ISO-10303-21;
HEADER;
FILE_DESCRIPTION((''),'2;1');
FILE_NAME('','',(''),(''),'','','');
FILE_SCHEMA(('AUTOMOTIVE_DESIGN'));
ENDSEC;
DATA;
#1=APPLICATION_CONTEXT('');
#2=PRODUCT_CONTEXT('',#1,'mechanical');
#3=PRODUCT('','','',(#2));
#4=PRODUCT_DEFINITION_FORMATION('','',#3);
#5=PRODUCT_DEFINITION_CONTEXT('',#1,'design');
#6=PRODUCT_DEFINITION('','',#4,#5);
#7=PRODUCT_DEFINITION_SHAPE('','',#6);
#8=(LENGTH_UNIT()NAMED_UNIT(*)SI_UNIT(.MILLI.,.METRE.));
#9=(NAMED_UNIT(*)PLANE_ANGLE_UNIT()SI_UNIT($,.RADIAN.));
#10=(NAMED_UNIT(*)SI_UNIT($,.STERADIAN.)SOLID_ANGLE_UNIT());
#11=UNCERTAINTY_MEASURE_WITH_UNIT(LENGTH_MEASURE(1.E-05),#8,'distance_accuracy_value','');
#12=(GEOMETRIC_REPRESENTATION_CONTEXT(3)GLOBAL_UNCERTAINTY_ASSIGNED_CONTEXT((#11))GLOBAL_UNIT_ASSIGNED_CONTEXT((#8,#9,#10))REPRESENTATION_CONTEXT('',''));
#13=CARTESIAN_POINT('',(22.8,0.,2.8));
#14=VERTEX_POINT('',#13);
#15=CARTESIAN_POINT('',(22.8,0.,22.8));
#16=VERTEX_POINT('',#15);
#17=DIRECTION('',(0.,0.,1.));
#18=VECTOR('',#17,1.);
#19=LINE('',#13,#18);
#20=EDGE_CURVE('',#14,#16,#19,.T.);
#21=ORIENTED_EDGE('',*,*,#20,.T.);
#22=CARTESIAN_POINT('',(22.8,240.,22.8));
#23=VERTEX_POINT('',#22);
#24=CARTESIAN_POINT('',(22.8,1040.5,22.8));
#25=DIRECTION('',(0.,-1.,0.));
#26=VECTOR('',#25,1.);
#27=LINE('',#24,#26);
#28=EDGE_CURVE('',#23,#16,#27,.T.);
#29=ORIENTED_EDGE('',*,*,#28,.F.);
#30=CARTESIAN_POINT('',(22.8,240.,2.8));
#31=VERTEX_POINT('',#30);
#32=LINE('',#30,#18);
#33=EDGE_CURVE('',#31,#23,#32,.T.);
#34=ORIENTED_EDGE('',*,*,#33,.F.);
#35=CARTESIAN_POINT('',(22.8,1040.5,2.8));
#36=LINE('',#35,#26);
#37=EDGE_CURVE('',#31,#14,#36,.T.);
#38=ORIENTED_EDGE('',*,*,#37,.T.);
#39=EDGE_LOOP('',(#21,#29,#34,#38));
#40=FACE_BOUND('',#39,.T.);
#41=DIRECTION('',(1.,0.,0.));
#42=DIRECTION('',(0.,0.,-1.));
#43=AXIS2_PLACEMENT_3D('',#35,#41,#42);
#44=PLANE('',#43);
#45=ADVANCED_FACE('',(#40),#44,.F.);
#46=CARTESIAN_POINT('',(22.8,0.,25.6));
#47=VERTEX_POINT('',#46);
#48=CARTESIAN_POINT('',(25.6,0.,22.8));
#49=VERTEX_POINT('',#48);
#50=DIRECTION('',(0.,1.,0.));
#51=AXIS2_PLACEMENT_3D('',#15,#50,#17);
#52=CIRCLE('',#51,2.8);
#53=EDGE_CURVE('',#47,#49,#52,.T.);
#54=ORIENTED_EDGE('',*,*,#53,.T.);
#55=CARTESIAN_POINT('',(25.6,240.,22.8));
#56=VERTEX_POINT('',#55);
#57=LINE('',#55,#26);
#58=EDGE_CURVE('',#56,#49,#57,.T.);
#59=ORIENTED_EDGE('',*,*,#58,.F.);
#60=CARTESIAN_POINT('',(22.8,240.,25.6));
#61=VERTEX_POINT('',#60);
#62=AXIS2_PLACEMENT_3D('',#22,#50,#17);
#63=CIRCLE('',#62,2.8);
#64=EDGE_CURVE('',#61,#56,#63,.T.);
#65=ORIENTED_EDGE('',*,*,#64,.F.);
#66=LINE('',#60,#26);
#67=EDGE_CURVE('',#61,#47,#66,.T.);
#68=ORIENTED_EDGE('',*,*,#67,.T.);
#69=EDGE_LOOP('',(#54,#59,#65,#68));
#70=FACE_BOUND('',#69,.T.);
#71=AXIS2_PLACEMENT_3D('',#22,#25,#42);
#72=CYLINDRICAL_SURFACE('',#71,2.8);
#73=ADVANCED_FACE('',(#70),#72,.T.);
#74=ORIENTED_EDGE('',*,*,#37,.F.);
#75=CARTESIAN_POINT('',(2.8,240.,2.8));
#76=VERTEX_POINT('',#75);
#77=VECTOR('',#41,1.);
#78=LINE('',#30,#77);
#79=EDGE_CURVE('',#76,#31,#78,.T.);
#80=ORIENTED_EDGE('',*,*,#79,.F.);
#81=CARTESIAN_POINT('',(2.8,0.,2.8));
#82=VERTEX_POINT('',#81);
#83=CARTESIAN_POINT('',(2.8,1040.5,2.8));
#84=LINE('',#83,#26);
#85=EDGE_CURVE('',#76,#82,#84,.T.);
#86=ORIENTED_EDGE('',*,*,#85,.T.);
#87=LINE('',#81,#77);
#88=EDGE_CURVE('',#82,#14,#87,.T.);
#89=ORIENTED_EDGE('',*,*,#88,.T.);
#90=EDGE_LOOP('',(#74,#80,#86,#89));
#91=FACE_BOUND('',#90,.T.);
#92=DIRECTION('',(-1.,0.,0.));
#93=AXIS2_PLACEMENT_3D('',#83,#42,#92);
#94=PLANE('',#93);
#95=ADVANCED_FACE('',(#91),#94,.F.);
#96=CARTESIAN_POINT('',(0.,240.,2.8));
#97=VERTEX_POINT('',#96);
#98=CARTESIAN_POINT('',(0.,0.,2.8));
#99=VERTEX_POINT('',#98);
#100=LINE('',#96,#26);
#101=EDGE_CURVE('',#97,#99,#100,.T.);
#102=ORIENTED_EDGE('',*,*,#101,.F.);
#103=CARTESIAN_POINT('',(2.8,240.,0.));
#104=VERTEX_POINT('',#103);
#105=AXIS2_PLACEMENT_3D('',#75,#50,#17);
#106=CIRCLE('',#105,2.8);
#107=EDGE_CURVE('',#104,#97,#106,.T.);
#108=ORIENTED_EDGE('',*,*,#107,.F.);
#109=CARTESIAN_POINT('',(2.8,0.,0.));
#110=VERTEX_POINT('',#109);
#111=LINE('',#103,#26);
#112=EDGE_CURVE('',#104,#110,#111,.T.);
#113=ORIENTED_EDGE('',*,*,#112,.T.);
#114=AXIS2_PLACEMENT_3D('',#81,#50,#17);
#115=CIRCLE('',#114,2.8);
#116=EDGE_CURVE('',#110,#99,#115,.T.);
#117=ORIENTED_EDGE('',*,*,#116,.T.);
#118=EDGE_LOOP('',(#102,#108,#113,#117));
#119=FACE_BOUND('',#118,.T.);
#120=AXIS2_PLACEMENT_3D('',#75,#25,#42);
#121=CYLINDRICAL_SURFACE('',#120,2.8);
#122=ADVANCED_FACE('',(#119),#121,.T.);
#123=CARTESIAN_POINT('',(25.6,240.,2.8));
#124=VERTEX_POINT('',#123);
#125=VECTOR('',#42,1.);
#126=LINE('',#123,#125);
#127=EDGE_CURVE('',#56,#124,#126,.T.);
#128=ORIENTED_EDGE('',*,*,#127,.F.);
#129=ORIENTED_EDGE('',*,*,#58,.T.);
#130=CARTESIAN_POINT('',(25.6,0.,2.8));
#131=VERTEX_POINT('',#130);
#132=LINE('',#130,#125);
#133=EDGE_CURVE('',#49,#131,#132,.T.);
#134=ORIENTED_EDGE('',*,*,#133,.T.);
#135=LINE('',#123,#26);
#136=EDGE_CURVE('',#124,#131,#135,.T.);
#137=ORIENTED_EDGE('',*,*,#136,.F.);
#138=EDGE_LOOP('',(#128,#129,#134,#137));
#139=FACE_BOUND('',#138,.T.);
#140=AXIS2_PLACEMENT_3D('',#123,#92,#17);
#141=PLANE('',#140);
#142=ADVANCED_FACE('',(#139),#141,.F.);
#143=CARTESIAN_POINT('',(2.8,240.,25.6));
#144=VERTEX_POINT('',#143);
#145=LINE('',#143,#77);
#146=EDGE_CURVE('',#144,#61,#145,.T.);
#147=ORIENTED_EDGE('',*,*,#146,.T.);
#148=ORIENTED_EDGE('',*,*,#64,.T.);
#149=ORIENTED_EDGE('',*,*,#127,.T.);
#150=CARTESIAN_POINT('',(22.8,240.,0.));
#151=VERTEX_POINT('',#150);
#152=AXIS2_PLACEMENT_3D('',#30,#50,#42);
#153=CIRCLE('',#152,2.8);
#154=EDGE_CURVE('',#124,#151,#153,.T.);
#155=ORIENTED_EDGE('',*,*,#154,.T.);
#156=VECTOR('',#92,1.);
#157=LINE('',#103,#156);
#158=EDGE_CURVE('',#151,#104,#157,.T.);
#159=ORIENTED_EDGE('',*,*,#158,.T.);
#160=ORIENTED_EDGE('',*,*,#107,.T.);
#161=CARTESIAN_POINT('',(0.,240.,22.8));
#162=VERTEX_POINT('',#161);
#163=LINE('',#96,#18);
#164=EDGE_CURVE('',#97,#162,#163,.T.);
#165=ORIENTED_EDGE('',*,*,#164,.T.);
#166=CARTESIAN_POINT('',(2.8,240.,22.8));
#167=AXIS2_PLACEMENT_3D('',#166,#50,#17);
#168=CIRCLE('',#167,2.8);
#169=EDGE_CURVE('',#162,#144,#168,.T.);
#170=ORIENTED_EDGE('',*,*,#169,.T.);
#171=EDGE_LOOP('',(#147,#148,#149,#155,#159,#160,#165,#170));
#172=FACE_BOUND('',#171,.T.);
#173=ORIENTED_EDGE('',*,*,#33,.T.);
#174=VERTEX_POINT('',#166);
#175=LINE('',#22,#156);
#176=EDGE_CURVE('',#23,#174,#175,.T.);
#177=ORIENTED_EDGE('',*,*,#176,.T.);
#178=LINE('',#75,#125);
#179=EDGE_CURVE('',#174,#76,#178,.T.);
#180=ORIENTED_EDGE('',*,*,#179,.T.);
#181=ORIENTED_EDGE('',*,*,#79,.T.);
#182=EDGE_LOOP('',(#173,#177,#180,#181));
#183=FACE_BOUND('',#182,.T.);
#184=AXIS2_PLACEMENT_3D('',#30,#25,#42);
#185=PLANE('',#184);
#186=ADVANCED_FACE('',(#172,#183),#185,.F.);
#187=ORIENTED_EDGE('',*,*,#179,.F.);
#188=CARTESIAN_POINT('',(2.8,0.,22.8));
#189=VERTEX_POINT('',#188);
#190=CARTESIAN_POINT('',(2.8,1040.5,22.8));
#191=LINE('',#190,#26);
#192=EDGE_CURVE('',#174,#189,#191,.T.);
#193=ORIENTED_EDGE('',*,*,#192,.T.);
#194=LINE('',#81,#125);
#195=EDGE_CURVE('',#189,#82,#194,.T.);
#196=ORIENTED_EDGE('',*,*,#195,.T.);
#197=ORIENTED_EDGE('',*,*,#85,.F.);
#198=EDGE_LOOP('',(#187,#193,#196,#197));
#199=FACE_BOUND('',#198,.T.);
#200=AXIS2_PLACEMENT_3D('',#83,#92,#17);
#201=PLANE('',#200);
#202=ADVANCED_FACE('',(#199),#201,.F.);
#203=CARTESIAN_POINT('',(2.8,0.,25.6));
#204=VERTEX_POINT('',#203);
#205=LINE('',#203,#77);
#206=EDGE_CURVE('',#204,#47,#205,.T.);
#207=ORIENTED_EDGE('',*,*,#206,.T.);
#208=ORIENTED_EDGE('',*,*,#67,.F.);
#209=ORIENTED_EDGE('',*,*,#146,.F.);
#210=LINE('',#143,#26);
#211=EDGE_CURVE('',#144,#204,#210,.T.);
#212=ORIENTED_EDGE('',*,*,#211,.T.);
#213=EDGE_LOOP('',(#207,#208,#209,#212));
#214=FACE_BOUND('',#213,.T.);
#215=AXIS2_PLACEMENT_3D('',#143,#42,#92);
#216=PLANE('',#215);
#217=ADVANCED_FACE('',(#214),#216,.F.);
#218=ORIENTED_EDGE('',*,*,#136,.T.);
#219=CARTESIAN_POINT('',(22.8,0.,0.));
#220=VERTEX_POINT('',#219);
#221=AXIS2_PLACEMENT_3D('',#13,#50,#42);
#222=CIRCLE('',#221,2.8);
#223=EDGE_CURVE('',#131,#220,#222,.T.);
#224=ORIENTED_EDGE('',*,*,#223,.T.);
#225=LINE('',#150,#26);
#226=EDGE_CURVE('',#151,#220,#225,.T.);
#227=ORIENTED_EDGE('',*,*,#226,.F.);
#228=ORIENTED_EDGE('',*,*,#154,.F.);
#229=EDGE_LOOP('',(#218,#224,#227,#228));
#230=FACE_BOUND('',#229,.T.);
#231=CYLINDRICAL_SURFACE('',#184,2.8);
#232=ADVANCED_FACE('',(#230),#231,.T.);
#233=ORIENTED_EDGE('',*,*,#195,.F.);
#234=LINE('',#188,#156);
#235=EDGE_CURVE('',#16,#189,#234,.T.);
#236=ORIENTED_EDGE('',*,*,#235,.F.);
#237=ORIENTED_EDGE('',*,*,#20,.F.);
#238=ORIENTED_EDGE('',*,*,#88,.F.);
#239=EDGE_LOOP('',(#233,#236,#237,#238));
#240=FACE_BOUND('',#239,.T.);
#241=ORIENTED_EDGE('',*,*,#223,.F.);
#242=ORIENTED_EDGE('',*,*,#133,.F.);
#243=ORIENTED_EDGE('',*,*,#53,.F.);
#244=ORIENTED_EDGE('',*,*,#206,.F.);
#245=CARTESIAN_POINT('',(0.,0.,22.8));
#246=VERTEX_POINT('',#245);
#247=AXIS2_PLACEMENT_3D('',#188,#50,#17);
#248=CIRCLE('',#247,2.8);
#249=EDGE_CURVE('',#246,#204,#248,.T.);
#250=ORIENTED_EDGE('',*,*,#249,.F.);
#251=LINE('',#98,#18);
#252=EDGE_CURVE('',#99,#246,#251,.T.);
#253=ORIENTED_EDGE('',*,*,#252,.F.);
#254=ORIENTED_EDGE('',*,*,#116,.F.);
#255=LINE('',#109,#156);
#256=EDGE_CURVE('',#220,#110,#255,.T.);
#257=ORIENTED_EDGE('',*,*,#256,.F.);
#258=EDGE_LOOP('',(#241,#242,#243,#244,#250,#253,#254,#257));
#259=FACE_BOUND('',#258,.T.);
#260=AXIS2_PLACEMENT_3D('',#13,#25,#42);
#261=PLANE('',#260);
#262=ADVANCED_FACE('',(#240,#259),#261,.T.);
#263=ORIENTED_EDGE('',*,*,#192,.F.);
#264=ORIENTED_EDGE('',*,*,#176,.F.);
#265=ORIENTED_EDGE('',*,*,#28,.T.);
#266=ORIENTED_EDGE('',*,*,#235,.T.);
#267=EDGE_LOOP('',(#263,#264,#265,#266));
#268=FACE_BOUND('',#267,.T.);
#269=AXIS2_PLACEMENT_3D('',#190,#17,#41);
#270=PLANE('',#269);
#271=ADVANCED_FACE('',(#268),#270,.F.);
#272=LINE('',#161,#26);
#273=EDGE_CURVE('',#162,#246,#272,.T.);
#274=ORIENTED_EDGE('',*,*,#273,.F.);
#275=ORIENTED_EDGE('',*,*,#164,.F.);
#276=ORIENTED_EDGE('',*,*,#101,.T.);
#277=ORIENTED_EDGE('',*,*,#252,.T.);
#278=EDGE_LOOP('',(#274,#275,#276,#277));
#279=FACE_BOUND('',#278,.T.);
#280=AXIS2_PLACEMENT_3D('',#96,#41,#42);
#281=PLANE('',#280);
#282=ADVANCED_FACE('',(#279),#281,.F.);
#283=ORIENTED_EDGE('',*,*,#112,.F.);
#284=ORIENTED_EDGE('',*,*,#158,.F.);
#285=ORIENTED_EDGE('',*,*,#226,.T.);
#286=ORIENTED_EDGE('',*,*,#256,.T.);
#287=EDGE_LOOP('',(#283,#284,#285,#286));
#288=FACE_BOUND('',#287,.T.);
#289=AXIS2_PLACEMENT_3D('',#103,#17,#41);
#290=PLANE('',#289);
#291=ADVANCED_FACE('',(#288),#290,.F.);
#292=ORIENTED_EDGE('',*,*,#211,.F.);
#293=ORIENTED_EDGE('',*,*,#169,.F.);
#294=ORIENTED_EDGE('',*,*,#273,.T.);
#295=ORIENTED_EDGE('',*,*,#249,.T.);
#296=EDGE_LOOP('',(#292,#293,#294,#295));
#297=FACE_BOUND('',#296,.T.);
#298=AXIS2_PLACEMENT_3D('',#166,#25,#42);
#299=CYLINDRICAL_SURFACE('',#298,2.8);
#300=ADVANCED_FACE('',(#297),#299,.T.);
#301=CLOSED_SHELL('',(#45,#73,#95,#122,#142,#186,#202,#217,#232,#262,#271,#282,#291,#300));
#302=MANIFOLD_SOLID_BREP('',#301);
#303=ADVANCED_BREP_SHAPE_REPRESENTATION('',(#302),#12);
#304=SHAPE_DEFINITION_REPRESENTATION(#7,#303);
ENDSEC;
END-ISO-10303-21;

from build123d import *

# Parameters (mm, degrees)
BOSS_EXTRUDE1_DEPTH = 240
SKETCH3_W           = 20
SKETCH3_H           = 20
CUT_EXTRUDE1_DEPTH  = 1040.5


with BuildPart() as part:
    # Sketch1 → Boss-Extrude1 (new body)
    with BuildSketch(Plane(origin=(0, 0, 0), x_dir=(1, 0, 0), z_dir=(0, 1, 0))):
        with BuildLine():
            Line((2.8, 0), (22.8, 0))
            ThreePointArc((22.8, 0), (24.779898987, -0.820101013), (25.6, -2.8))
            Line((25.6, -2.8), (25.6, -22.8))
            ThreePointArc((25.6, -22.8), (24.779898987, -24.779898987), (22.8, -25.6))
            Line((22.8, -25.6), (2.8, -25.6))
            ThreePointArc((2.8, -25.6), (0.820101013, -24.779898987), (0, -22.8))
            Line((0, -22.8), (0, -2.8))
            ThreePointArc((0, -2.8), (0.820101013, -0.820101013), (2.8, 0))
        make_face()
    extrude(amount=BOSS_EXTRUDE1_DEPTH)

    # Sketch3 → Cut-Extrude1 (cut)
    with BuildSketch(Plane(origin=(0, 0, 0), x_dir=(-1, 0, 0), z_dir=(0, -1, 0))):
        with Locations((-12.8, -12.8)):
            Rectangle(SKETCH3_W, SKETCH3_H)
    extrude(amount=-CUT_EXTRUDE1_DEPTH, mode=Mode.SUBTRACT)


solid = part.part
